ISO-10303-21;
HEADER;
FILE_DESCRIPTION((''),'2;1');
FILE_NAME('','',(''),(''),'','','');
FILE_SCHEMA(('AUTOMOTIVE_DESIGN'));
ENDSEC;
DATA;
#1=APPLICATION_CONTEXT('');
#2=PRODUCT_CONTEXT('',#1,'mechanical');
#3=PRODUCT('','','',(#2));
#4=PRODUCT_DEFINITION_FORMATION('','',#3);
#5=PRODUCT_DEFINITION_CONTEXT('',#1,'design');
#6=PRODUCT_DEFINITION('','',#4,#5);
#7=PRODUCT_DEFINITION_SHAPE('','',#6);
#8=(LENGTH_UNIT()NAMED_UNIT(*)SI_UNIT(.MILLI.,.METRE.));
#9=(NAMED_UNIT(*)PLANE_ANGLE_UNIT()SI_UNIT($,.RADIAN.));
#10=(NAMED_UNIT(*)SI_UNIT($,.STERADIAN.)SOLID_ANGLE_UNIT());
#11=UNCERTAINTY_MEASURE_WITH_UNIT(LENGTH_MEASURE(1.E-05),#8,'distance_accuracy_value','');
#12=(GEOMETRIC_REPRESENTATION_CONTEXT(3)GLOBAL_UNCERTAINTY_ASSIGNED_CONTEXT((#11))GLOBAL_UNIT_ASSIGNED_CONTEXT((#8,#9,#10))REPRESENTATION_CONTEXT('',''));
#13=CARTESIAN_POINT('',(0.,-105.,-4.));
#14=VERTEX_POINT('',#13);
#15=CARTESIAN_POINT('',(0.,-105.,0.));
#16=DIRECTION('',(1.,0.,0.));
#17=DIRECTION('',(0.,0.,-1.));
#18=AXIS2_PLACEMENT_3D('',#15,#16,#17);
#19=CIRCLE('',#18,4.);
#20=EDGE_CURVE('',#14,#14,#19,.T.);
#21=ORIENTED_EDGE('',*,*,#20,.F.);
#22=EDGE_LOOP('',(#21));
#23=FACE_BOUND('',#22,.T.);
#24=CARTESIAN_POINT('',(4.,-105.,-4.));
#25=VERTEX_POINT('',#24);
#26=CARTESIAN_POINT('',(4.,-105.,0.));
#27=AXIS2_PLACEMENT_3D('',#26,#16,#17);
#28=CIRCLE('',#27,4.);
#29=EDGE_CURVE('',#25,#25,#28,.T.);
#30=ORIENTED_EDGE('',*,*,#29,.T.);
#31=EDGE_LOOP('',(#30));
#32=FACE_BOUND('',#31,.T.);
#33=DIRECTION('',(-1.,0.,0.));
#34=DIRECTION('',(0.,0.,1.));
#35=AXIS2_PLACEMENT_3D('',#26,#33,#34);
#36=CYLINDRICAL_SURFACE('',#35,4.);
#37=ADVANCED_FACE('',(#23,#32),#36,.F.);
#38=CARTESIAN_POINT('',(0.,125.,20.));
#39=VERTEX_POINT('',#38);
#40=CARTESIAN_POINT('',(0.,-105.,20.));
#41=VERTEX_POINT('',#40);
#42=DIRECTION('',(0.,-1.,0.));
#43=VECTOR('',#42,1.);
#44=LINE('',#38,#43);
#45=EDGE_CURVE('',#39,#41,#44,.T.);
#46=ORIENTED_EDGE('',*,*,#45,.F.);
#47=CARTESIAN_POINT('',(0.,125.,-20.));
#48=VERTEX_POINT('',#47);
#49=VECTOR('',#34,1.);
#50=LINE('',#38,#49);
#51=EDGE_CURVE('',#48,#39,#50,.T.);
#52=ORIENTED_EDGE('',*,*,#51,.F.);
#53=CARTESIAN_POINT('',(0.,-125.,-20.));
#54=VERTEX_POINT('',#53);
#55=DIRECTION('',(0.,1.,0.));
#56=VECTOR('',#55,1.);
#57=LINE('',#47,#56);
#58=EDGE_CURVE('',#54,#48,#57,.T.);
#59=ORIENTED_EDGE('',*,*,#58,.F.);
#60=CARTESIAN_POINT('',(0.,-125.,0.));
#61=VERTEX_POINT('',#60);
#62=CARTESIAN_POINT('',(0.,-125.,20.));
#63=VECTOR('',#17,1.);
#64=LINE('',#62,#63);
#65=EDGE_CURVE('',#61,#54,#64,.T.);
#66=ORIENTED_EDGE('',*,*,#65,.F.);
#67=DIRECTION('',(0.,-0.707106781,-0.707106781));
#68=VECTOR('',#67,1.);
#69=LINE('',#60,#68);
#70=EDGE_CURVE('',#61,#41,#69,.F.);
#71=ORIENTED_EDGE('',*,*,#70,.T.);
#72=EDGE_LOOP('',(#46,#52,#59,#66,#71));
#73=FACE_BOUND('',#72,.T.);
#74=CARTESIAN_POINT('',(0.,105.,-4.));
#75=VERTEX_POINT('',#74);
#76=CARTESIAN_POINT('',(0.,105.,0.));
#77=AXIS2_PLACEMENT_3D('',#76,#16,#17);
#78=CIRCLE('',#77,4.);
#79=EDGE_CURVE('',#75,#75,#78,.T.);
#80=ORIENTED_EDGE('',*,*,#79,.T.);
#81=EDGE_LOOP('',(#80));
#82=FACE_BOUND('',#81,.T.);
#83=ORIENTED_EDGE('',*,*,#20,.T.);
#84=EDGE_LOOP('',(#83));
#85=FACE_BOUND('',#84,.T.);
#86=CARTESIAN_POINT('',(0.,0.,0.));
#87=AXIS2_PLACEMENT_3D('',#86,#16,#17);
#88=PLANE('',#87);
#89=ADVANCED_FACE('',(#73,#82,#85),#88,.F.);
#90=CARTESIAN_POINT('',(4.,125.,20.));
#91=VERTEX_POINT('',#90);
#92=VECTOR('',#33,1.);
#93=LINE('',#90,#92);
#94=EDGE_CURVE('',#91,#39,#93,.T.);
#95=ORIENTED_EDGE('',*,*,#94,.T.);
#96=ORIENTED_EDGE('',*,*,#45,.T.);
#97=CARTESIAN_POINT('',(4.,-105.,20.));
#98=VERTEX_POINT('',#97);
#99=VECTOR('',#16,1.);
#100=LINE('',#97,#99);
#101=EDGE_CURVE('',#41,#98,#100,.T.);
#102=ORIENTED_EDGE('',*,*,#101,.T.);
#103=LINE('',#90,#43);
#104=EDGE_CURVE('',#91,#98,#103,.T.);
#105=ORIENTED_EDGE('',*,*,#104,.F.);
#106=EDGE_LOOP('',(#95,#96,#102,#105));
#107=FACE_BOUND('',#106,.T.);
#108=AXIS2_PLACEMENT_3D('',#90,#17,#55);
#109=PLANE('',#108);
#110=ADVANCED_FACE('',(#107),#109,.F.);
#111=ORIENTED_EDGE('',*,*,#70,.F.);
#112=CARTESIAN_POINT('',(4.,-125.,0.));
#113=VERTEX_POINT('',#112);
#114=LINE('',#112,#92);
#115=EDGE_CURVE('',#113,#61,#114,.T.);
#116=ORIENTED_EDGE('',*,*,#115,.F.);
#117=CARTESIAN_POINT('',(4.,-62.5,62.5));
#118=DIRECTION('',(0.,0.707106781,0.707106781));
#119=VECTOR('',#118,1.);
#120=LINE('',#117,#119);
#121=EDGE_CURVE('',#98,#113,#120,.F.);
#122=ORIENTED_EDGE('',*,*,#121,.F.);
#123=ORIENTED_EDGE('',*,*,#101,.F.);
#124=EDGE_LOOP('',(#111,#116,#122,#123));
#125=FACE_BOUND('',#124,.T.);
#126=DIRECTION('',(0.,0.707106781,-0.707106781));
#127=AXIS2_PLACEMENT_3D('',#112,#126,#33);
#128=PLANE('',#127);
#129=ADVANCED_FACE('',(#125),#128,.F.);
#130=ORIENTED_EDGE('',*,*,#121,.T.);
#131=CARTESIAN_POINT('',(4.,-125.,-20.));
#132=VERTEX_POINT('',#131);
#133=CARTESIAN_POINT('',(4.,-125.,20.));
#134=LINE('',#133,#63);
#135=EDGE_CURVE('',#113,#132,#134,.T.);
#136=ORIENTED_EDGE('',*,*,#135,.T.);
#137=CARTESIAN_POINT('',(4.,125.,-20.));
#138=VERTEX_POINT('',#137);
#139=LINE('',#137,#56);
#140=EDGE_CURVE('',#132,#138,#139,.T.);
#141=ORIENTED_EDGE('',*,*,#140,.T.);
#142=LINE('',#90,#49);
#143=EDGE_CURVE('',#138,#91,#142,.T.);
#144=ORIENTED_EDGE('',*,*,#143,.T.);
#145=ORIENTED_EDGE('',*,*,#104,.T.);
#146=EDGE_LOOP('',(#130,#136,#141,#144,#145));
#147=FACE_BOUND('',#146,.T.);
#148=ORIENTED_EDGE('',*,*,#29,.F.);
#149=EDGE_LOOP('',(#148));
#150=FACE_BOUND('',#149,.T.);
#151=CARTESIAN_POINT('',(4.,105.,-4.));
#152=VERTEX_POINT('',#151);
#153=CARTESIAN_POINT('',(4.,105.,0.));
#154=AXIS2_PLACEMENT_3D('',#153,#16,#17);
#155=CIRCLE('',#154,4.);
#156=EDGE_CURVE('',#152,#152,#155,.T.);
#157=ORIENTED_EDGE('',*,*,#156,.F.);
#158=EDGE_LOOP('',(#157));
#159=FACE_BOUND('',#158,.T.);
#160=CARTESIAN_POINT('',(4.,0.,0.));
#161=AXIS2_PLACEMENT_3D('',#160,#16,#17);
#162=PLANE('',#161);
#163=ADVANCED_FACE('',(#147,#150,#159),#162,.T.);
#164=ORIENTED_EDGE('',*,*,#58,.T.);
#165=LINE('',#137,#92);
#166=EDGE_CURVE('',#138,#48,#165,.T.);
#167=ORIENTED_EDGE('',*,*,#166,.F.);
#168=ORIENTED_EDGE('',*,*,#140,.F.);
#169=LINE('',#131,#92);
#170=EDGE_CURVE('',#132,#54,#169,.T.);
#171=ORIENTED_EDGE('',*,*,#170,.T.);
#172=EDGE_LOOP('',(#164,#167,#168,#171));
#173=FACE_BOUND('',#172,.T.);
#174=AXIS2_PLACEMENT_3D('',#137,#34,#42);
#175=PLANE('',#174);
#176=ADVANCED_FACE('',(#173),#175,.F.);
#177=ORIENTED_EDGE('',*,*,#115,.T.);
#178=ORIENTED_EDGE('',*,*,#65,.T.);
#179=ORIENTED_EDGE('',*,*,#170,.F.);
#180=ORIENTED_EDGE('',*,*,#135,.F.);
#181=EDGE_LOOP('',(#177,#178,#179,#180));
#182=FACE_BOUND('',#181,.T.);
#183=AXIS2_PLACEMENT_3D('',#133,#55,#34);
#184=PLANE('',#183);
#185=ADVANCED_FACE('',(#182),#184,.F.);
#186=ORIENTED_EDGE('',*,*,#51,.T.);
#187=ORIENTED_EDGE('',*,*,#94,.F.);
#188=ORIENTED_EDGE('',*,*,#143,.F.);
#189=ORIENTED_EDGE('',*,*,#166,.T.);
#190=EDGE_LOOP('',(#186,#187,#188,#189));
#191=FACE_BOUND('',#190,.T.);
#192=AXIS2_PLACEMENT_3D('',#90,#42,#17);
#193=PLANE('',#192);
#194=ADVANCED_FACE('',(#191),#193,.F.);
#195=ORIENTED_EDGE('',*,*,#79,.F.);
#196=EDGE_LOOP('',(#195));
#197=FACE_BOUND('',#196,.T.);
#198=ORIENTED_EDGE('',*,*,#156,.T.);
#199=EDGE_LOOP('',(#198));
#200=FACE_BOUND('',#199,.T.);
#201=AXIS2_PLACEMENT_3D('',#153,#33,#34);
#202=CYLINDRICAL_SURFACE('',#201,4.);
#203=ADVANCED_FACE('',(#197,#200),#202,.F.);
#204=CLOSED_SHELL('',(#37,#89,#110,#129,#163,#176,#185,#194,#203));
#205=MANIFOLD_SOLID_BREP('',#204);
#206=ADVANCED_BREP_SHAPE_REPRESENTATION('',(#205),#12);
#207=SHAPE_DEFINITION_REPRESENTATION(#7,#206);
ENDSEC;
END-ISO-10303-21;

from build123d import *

# Parameters (mm, degrees)
SKETCH1_W           = 40
SKETCH1_H           = 250
SKETCH1_R           = 4
BOSS_EXTRUDE1_DEPTH = 4
CHAMFER3_SIZE       = 20


with BuildPart() as part:
    # Sketch1 → Boss-Extrude1 (new body)
    with BuildSketch(Plane(origin=(0, 0, 0), x_dir=(0, 0, -1), z_dir=(1, 0, 0))):
        Rectangle(SKETCH1_W, SKETCH1_H)
        with Locations((0, 105)):
            Circle(SKETCH1_R, mode=Mode.SUBTRACT)
        with Locations((0, -105)):
            Circle(SKETCH1_R, mode=Mode.SUBTRACT)
    extrude(amount=BOSS_EXTRUDE1_DEPTH)

    # Chamfer3
    chamfer3_edges = [part.edges().sort_by_distance(p)[0] for p in [
        (2, -125, 20),
    ]]
    chamfer(chamfer3_edges, length=CHAMFER3_SIZE)


solid = part.part
